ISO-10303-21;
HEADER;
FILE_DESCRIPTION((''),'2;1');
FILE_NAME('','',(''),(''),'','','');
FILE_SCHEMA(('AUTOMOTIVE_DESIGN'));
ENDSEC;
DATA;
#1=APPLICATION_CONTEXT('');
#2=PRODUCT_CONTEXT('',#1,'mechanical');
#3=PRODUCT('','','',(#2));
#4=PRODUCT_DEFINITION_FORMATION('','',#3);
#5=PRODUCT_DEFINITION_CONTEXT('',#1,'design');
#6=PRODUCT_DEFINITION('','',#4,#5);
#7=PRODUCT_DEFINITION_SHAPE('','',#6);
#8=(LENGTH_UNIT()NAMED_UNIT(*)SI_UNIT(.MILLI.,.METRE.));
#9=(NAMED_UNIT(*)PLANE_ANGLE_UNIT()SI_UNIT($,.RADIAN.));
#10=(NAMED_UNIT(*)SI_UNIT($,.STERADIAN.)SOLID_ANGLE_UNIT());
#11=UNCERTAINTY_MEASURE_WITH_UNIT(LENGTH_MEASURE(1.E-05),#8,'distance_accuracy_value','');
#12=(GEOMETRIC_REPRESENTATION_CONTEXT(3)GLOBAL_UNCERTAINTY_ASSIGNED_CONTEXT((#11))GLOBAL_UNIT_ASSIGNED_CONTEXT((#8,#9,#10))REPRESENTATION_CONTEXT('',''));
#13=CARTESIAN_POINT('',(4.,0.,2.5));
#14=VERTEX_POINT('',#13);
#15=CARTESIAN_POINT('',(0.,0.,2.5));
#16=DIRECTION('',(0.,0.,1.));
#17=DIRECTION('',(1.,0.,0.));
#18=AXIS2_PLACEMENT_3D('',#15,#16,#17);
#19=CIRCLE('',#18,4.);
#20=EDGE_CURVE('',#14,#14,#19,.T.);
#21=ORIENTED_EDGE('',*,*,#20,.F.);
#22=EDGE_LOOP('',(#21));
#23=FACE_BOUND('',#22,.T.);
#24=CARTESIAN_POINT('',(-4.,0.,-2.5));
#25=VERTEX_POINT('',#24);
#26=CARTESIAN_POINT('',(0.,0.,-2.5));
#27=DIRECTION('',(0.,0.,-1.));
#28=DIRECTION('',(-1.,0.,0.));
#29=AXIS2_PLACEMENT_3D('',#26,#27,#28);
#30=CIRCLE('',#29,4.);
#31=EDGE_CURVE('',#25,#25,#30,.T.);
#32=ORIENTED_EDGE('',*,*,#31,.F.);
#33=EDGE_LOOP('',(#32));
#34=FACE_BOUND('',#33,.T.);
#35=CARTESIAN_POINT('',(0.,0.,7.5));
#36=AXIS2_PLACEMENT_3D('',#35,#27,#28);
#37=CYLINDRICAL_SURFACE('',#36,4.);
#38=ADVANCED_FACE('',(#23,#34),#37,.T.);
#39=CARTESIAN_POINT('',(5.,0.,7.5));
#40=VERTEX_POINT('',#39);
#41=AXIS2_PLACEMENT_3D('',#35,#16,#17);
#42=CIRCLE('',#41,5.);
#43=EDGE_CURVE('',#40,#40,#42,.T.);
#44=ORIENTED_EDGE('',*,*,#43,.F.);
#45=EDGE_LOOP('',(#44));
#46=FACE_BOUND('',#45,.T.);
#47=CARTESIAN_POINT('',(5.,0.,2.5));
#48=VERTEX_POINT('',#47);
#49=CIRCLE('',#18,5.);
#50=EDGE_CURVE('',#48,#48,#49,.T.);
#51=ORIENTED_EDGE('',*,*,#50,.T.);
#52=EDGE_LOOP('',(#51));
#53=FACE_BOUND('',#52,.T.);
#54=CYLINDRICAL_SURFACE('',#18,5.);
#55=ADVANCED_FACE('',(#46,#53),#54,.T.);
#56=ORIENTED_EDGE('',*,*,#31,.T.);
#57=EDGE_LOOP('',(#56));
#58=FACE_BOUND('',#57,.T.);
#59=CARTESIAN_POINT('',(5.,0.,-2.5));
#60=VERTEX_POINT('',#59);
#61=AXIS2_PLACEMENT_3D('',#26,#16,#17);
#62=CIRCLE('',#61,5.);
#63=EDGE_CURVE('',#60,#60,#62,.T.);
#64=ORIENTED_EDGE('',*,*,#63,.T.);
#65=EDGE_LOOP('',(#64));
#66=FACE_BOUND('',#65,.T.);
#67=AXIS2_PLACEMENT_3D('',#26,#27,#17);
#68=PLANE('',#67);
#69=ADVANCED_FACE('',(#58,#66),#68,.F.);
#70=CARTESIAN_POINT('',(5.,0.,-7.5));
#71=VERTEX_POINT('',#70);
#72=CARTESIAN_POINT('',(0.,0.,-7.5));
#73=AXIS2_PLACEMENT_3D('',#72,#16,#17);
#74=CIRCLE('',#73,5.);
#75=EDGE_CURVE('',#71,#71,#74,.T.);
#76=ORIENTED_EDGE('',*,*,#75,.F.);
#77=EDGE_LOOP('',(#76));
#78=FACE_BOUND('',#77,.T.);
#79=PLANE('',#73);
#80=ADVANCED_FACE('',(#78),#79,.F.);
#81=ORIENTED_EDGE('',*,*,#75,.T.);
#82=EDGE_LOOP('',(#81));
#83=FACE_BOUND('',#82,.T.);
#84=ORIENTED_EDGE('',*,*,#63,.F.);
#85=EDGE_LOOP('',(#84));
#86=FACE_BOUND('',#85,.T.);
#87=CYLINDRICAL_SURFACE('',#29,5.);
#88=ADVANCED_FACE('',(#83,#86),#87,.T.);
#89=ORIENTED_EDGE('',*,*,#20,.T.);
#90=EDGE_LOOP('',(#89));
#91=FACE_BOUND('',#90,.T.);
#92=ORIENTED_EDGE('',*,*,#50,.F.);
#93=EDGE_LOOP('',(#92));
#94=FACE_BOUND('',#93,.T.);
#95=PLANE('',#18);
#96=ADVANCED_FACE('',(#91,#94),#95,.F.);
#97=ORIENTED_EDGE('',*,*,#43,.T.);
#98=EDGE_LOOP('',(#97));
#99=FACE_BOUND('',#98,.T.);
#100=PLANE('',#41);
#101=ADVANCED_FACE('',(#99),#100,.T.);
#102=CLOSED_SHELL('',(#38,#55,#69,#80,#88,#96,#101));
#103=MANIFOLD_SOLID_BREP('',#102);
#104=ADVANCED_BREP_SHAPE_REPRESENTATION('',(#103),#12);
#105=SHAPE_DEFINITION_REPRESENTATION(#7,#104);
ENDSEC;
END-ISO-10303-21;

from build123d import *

# Parameters (mm, degrees)
SKETCH_1_R      = 4
EXTRUDE_1_DEPTH = 7.5
SKETCH_3_R      = 5
EXTRUDE_2_DEPTH = 5


with BuildPart() as part:
    # 草圖1 → 填料-伸長1 (new body, symmetric)
    with BuildSketch(Plane.XY):
        Circle(SKETCH_1_R)
    extrude(amount=EXTRUDE_1_DEPTH, both=True)

    # 草圖3 → 填料-伸長2 (add)
    with BuildSketch(Plane.XY.offset(7.5)):
        Circle(SKETCH_3_R)
    extrude_2 = extrude(amount=-EXTRUDE_2_DEPTH)

    # 鏡射1: 填料-伸長2 across plane
    add(extrude_2.mirror(Plane.XY))


solid = part.part
